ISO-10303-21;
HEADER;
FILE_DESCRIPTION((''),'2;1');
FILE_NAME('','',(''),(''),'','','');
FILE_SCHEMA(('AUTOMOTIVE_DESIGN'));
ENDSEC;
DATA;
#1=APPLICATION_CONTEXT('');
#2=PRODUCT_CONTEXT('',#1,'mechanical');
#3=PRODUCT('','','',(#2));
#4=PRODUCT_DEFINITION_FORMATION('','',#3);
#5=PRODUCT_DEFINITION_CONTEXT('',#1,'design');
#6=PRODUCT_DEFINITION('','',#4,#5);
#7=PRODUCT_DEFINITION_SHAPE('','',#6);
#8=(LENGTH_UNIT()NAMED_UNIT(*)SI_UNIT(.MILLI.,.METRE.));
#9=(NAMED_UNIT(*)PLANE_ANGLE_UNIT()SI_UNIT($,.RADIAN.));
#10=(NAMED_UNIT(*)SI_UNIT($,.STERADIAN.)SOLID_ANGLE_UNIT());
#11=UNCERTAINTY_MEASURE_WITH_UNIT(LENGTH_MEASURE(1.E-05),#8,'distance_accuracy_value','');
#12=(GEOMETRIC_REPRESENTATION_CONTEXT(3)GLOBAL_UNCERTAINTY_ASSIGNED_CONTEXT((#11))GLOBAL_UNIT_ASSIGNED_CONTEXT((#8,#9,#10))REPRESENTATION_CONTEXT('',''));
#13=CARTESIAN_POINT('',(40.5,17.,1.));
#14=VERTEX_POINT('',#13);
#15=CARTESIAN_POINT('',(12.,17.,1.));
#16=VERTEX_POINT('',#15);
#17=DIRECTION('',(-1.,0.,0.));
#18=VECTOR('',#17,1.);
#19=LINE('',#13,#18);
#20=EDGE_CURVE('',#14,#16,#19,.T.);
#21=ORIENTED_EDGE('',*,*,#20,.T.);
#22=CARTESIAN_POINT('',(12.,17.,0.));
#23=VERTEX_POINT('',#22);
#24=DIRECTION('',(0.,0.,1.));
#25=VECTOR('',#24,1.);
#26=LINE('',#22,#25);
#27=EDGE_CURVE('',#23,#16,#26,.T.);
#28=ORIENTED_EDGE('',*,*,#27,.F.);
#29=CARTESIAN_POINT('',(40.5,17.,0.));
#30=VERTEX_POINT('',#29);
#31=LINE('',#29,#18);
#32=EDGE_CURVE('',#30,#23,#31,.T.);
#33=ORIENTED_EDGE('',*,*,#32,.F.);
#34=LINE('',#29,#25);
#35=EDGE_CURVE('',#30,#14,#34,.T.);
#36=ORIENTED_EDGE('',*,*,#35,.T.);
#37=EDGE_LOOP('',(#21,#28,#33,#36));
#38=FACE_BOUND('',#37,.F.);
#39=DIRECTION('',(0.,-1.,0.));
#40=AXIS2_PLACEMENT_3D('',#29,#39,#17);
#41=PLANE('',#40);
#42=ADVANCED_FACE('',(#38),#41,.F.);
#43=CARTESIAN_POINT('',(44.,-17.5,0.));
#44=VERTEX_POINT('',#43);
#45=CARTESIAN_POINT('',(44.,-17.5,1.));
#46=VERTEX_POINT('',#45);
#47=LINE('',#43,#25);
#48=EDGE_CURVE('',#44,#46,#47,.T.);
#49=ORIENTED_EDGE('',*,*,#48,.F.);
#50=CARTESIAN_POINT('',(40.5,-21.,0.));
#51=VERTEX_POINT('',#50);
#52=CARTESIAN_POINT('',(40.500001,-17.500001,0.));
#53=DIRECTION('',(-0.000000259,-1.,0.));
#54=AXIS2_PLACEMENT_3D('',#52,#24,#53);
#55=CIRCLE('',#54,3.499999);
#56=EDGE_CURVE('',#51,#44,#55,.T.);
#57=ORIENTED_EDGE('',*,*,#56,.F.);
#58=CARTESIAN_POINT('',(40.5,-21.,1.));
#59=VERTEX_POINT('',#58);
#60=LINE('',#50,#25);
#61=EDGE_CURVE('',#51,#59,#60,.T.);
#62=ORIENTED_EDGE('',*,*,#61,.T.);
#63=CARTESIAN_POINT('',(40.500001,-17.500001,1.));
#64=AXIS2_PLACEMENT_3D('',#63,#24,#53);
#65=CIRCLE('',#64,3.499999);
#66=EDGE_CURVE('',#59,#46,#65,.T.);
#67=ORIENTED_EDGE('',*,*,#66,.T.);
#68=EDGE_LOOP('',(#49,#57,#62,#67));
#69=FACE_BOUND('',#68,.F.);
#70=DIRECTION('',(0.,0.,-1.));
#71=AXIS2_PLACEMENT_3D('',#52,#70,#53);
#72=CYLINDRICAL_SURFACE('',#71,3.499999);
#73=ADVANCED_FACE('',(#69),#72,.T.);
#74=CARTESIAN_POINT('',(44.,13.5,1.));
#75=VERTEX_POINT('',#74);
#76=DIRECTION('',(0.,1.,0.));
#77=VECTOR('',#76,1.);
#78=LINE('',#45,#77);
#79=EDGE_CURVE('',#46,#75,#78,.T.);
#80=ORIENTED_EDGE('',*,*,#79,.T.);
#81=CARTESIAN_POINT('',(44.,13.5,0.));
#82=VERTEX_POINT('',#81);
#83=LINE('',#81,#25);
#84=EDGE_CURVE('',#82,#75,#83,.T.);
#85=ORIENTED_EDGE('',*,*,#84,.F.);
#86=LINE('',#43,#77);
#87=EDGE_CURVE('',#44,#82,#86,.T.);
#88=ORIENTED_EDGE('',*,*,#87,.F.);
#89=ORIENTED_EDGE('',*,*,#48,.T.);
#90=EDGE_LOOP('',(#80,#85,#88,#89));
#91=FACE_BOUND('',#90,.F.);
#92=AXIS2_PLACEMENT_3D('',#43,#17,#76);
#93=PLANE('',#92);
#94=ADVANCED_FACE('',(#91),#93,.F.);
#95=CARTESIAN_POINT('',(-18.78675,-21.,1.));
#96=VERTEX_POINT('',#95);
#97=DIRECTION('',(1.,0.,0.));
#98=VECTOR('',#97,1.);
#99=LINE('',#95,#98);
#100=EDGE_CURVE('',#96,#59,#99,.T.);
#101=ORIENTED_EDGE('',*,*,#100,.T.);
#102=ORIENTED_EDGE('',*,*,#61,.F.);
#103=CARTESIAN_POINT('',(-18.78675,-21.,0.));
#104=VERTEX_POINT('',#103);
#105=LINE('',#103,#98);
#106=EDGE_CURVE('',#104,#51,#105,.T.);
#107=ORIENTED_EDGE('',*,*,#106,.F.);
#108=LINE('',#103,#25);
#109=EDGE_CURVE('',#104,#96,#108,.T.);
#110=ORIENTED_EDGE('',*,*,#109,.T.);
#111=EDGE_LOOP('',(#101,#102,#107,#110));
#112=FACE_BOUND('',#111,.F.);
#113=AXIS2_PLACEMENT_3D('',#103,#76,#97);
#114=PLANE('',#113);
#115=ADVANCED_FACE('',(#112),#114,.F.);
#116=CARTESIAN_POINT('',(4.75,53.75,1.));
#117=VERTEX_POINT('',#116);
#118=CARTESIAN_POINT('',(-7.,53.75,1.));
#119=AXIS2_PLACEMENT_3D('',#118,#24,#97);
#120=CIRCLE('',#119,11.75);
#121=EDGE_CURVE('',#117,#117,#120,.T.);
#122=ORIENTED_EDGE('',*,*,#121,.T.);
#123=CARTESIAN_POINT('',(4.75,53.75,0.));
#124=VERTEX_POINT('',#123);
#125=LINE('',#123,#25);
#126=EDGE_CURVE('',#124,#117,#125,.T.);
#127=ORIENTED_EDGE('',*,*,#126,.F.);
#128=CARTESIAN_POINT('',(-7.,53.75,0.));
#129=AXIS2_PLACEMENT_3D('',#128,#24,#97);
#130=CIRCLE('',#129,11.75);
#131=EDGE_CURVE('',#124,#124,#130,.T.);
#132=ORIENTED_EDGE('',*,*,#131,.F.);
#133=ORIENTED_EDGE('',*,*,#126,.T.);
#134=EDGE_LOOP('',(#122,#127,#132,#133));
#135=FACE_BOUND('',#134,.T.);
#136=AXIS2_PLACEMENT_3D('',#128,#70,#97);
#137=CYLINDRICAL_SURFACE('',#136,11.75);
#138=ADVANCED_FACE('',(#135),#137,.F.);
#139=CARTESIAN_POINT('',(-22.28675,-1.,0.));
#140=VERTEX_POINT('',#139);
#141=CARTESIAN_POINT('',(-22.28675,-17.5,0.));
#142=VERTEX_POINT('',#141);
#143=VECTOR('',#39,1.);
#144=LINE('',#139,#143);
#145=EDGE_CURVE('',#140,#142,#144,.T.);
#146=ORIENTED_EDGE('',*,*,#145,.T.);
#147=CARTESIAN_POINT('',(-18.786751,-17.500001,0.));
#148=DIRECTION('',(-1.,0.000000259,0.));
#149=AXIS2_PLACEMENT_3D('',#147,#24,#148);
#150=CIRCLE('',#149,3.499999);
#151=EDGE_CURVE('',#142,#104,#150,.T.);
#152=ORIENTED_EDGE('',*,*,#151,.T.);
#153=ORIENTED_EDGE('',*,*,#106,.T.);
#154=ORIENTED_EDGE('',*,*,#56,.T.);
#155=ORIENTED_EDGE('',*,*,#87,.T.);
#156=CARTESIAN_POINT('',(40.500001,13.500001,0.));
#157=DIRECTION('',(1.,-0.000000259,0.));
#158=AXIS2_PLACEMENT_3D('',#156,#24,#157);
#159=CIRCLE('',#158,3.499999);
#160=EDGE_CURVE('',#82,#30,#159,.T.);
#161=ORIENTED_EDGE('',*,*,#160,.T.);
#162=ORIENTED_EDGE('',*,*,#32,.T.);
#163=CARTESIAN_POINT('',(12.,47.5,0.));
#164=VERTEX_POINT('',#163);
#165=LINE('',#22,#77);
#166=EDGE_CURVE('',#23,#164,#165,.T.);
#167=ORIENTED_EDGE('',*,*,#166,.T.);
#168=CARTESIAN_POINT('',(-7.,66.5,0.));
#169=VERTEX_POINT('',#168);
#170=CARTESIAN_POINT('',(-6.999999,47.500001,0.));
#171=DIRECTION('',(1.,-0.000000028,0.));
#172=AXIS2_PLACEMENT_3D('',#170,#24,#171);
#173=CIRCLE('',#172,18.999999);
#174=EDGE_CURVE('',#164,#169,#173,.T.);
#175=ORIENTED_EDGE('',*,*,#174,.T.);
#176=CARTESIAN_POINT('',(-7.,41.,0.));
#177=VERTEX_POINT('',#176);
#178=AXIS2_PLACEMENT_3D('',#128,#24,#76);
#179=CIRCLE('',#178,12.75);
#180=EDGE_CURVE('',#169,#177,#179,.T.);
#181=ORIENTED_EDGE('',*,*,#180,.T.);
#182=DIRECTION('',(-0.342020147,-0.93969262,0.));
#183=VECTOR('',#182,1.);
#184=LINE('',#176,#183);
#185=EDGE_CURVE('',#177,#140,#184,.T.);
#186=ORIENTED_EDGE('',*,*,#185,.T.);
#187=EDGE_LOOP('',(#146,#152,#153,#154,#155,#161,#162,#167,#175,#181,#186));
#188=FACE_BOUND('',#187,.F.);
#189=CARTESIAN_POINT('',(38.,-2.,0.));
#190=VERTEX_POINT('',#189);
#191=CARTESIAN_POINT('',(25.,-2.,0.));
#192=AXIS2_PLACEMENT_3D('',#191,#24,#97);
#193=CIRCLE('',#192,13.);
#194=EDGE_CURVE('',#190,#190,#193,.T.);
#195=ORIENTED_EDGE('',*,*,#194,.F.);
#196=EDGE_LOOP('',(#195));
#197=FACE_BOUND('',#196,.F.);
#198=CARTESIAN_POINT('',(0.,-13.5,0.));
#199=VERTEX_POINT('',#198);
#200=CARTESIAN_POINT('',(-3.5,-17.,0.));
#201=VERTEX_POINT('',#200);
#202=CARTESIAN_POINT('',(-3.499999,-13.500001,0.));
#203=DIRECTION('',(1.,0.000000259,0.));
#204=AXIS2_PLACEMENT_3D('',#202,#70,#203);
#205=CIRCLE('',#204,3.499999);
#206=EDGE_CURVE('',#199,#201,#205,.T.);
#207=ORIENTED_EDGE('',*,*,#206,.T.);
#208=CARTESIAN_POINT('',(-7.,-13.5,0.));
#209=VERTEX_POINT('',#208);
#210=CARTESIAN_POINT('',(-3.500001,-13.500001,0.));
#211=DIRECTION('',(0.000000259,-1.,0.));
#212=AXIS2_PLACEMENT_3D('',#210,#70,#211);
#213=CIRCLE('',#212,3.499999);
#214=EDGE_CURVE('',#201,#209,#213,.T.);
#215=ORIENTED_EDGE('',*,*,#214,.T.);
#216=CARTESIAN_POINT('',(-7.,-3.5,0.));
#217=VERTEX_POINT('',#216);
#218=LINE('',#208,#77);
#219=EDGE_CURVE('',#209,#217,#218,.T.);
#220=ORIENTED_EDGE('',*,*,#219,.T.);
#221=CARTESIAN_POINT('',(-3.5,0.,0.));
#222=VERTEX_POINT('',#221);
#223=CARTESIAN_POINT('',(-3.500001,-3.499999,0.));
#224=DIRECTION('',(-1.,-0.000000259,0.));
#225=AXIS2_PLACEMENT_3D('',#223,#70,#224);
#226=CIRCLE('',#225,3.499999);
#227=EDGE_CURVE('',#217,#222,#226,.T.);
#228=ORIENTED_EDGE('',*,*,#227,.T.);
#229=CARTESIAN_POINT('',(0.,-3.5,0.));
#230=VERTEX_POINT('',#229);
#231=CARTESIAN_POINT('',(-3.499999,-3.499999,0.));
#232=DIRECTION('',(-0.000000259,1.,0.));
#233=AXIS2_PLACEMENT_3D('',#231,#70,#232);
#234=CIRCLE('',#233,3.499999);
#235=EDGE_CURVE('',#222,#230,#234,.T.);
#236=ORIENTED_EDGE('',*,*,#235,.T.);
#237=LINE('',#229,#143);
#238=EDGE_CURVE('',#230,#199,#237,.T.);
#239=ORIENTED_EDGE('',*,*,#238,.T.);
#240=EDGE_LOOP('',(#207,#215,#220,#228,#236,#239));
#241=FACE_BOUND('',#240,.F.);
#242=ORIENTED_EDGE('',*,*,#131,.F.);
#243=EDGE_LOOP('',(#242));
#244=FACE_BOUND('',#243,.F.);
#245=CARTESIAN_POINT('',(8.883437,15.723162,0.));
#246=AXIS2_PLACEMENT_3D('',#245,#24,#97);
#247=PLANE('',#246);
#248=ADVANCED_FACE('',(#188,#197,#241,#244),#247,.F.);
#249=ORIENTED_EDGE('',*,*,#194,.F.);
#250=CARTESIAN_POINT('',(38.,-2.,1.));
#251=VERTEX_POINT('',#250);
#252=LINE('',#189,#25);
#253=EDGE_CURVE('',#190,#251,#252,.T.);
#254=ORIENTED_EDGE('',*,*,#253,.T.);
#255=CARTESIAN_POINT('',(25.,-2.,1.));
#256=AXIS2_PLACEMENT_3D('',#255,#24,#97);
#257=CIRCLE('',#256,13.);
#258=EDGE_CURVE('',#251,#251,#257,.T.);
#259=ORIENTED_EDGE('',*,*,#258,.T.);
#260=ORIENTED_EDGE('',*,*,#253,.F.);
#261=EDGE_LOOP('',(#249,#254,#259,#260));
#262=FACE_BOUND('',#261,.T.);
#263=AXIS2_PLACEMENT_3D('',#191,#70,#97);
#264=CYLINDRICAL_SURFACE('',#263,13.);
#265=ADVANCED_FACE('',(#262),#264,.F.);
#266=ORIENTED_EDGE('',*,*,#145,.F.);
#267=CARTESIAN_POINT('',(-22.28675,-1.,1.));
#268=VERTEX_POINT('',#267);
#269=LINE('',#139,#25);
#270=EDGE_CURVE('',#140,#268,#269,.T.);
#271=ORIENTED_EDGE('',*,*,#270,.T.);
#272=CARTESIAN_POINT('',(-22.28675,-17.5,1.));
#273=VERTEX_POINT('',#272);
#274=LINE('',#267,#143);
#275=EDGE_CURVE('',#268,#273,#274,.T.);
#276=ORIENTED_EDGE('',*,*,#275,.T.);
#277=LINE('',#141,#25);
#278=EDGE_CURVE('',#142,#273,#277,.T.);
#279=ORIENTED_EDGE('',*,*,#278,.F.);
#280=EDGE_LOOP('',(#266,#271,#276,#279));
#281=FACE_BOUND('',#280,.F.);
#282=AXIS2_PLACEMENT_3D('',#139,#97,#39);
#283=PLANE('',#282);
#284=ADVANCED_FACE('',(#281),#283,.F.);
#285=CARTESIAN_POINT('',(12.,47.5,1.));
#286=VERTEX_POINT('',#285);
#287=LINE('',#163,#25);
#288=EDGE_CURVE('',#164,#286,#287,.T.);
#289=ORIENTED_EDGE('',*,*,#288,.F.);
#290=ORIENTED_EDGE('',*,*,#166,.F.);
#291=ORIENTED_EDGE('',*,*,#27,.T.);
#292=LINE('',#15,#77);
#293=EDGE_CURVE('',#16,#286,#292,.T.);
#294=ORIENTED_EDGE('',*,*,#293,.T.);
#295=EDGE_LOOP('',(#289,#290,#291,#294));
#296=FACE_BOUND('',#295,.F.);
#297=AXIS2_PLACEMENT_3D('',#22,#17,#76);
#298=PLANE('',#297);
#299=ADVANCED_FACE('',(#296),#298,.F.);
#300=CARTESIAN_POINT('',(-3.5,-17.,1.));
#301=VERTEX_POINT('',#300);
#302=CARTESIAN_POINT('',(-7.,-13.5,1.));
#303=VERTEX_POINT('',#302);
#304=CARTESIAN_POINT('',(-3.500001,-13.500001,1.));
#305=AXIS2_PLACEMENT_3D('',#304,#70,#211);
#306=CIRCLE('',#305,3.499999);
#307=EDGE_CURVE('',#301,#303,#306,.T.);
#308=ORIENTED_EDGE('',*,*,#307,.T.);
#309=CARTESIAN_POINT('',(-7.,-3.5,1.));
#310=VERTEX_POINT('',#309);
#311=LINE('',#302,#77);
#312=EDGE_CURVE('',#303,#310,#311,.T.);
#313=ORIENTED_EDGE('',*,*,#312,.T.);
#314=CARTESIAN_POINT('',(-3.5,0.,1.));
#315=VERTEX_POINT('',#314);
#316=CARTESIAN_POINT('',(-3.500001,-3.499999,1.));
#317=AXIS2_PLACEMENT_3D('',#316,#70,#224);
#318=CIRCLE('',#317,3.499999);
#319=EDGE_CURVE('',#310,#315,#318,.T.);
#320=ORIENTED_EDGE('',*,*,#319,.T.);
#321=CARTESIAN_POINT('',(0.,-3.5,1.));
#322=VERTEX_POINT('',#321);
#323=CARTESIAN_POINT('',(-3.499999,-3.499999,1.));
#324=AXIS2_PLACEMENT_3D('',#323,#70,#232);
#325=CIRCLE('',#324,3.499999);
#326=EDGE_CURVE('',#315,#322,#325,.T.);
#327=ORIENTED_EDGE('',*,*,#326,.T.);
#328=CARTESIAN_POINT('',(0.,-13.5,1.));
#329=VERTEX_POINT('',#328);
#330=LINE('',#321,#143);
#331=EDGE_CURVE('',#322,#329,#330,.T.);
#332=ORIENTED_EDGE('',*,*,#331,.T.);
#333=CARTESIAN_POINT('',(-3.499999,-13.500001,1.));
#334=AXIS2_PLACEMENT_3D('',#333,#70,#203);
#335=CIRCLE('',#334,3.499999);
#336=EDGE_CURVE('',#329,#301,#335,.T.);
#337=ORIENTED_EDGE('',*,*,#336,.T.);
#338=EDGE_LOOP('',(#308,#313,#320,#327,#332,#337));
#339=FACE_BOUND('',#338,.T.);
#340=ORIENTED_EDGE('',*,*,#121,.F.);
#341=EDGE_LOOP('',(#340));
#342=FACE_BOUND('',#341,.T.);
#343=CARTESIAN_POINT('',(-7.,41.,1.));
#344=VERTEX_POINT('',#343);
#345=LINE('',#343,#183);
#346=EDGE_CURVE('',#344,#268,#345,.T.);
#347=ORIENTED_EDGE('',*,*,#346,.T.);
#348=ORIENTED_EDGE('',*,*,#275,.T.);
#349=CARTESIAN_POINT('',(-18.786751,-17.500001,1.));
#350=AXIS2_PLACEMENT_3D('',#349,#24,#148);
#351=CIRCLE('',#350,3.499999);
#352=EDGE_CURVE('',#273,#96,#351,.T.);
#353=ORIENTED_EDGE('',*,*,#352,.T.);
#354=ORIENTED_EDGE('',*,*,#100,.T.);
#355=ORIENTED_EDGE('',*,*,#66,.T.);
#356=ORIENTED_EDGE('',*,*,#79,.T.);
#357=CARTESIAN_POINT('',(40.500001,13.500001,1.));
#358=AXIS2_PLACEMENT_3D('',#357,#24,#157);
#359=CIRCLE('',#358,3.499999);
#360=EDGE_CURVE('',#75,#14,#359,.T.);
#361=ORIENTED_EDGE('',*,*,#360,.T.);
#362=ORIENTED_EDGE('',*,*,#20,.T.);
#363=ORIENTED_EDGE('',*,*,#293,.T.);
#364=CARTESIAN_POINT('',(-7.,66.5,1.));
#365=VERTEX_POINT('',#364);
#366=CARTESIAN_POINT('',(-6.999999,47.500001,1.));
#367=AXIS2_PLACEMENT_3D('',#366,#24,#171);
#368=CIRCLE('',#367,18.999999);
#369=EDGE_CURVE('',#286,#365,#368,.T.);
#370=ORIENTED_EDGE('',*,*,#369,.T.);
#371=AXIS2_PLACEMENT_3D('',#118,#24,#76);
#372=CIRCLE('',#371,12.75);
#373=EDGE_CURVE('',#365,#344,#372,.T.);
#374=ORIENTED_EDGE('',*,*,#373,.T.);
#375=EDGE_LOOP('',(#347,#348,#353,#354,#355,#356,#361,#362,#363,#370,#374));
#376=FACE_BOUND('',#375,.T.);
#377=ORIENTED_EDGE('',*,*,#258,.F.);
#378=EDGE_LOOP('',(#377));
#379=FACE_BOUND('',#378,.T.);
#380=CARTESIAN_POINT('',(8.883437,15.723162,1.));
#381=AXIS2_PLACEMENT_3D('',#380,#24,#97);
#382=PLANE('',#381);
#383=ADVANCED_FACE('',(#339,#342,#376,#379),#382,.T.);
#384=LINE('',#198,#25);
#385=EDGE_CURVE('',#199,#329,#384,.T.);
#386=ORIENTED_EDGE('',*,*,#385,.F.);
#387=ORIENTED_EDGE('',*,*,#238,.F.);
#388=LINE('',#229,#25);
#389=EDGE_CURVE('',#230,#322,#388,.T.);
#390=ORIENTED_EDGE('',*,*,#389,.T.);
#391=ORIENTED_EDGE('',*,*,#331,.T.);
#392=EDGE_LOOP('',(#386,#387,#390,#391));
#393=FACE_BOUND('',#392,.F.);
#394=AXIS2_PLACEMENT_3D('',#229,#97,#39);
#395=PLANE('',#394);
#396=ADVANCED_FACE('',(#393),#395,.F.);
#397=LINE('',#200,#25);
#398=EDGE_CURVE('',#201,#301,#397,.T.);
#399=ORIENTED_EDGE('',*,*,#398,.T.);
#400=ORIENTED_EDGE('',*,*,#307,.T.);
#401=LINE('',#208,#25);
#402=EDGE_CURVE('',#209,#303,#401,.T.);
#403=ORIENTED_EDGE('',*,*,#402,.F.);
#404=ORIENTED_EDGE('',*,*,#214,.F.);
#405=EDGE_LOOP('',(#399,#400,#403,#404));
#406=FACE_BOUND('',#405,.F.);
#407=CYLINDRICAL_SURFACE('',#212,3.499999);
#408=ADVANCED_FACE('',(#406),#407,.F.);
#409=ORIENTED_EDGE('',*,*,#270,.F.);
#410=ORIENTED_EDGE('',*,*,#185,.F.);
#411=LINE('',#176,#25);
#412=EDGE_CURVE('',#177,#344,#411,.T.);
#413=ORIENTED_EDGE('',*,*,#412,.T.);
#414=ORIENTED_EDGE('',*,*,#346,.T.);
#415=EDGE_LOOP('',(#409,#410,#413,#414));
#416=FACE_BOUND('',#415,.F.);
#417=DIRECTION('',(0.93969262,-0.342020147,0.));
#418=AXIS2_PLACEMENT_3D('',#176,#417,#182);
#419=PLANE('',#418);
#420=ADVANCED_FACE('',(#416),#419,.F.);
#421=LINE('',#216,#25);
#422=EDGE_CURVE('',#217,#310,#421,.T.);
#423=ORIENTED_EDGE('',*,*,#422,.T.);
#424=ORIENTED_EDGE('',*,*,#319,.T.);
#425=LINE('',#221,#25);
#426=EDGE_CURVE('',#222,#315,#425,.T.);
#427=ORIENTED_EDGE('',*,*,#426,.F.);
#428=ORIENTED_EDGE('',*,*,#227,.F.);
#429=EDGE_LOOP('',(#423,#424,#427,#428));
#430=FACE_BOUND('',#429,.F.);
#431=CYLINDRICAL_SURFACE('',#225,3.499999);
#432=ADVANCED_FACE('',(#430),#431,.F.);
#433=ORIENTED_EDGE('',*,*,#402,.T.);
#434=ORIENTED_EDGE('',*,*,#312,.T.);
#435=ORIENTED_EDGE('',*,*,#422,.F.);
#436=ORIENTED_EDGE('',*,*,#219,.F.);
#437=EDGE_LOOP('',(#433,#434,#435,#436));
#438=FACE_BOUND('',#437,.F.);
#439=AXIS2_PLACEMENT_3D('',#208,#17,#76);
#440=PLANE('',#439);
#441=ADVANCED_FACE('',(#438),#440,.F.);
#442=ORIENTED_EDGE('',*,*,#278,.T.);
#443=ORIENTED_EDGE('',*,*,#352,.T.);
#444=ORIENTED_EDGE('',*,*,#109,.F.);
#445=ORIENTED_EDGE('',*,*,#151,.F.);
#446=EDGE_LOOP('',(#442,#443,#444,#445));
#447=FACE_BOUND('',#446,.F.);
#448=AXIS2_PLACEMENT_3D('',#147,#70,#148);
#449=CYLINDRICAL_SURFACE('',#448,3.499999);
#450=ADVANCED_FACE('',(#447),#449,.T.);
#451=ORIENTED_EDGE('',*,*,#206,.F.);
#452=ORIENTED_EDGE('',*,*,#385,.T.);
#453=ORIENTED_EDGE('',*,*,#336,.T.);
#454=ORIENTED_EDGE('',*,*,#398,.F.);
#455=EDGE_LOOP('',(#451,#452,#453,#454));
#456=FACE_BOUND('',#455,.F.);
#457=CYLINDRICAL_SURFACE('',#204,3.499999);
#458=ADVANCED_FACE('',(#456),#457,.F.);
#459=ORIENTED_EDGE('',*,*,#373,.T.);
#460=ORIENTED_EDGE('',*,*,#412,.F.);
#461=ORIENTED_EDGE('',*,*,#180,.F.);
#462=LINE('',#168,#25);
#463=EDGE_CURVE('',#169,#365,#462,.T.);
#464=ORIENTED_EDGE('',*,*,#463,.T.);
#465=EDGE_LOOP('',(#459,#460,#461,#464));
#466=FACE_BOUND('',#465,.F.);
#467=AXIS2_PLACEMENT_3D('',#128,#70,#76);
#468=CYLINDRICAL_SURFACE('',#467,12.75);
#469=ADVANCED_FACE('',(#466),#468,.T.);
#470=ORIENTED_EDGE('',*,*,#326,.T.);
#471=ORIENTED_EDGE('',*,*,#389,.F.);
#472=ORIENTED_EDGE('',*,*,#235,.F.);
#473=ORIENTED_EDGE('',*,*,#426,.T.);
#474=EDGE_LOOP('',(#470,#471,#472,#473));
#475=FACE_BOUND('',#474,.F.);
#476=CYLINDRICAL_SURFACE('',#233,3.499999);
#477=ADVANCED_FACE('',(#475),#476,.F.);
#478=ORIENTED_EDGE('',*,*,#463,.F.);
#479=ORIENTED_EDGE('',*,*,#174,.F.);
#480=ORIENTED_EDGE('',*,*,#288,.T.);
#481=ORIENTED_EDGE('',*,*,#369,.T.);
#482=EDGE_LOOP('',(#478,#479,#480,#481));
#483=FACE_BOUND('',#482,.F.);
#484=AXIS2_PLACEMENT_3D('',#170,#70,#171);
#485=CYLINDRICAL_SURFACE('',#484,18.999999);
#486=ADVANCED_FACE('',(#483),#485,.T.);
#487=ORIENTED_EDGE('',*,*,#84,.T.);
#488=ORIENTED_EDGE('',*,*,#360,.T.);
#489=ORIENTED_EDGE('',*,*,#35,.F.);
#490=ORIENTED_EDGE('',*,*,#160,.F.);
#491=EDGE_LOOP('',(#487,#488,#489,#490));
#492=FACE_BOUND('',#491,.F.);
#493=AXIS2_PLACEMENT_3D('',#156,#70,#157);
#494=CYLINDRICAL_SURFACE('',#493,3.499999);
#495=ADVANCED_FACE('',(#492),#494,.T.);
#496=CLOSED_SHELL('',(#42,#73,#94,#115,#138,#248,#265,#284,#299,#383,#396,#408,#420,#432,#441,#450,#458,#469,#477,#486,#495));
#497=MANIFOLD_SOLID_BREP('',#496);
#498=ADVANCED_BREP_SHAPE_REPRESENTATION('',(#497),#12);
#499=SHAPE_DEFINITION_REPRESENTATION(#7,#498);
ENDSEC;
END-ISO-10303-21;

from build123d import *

# Parameters (mm, degrees)
F0_R     = 13
F0_R_2   = 11.75
F1_DEPTH = 1


with BuildPart() as f1:
    # F0 (on Top) → F1 (new body)
    with BuildSketch(Plane.XY):
        with BuildLine():
            ThreePointArc((-7, 66.5), (2.015611, 62.765611), (5.75, 53.75))
            ThreePointArc((5.75, 53.75), (2.015611, 44.734389), (-7, 41))
            Line((-7, 41), (-22.28675, -1))
            Line((-22.28675, -1), (-22.28675, -17.5))
            ThreePointArc((-22.28675, -17.5), (-21.261624, -19.974874), (-18.78675, -21))
            Line((-18.78675, -21), (40.5, -21))
            ThreePointArc((40.5, -21), (42.974874, -19.974874), (44, -17.5))
            Line((44, -17.5), (44, 13.5))
            ThreePointArc((44, 13.5), (42.974874, 15.974874), (40.5, 17))
            Line((40.5, 17), (12, 17))
            Line((12, 17), (12, 47.5))
            ThreePointArc((12, 47.5), (6.435029, 60.935029), (-7, 66.5))
        make_face()
        with BuildLine():
            ThreePointArc((-3.5, 0), (-1.025126, -1.025126), (0, -3.5))
            Line((0, -3.5), (0, -13.5))
            ThreePointArc((0, -13.5), (-1.025126, -15.974874), (-3.5, -17))
            ThreePointArc((-3.5, -17), (-5.974874, -15.974874), (-7, -13.5))
            Line((-7, -13.5), (-7, -3.5))
            ThreePointArc((-7, -3.5), (-5.974874, -1.025126), (-3.5, 0))
        make_face(mode=Mode.SUBTRACT)
        with Locations((25, -2)):
            Circle(F0_R, mode=Mode.SUBTRACT)
        with BuildLine():
            ThreePointArc((-7, 41), (2.015611, 44.734389), (5.75, 53.75))
            ThreePointArc((5.75, 53.75), (2.015611, 62.765611), (-7, 66.5))
            ThreePointArc((-7, 66.5), (-19.75, 53.75), (-7, 41))
        make_face()
        with Locations((-7, 53.75)):
            Circle(F0_R_2, mode=Mode.SUBTRACT)
    extrude(amount=F1_DEPTH)


solid = f1.part
